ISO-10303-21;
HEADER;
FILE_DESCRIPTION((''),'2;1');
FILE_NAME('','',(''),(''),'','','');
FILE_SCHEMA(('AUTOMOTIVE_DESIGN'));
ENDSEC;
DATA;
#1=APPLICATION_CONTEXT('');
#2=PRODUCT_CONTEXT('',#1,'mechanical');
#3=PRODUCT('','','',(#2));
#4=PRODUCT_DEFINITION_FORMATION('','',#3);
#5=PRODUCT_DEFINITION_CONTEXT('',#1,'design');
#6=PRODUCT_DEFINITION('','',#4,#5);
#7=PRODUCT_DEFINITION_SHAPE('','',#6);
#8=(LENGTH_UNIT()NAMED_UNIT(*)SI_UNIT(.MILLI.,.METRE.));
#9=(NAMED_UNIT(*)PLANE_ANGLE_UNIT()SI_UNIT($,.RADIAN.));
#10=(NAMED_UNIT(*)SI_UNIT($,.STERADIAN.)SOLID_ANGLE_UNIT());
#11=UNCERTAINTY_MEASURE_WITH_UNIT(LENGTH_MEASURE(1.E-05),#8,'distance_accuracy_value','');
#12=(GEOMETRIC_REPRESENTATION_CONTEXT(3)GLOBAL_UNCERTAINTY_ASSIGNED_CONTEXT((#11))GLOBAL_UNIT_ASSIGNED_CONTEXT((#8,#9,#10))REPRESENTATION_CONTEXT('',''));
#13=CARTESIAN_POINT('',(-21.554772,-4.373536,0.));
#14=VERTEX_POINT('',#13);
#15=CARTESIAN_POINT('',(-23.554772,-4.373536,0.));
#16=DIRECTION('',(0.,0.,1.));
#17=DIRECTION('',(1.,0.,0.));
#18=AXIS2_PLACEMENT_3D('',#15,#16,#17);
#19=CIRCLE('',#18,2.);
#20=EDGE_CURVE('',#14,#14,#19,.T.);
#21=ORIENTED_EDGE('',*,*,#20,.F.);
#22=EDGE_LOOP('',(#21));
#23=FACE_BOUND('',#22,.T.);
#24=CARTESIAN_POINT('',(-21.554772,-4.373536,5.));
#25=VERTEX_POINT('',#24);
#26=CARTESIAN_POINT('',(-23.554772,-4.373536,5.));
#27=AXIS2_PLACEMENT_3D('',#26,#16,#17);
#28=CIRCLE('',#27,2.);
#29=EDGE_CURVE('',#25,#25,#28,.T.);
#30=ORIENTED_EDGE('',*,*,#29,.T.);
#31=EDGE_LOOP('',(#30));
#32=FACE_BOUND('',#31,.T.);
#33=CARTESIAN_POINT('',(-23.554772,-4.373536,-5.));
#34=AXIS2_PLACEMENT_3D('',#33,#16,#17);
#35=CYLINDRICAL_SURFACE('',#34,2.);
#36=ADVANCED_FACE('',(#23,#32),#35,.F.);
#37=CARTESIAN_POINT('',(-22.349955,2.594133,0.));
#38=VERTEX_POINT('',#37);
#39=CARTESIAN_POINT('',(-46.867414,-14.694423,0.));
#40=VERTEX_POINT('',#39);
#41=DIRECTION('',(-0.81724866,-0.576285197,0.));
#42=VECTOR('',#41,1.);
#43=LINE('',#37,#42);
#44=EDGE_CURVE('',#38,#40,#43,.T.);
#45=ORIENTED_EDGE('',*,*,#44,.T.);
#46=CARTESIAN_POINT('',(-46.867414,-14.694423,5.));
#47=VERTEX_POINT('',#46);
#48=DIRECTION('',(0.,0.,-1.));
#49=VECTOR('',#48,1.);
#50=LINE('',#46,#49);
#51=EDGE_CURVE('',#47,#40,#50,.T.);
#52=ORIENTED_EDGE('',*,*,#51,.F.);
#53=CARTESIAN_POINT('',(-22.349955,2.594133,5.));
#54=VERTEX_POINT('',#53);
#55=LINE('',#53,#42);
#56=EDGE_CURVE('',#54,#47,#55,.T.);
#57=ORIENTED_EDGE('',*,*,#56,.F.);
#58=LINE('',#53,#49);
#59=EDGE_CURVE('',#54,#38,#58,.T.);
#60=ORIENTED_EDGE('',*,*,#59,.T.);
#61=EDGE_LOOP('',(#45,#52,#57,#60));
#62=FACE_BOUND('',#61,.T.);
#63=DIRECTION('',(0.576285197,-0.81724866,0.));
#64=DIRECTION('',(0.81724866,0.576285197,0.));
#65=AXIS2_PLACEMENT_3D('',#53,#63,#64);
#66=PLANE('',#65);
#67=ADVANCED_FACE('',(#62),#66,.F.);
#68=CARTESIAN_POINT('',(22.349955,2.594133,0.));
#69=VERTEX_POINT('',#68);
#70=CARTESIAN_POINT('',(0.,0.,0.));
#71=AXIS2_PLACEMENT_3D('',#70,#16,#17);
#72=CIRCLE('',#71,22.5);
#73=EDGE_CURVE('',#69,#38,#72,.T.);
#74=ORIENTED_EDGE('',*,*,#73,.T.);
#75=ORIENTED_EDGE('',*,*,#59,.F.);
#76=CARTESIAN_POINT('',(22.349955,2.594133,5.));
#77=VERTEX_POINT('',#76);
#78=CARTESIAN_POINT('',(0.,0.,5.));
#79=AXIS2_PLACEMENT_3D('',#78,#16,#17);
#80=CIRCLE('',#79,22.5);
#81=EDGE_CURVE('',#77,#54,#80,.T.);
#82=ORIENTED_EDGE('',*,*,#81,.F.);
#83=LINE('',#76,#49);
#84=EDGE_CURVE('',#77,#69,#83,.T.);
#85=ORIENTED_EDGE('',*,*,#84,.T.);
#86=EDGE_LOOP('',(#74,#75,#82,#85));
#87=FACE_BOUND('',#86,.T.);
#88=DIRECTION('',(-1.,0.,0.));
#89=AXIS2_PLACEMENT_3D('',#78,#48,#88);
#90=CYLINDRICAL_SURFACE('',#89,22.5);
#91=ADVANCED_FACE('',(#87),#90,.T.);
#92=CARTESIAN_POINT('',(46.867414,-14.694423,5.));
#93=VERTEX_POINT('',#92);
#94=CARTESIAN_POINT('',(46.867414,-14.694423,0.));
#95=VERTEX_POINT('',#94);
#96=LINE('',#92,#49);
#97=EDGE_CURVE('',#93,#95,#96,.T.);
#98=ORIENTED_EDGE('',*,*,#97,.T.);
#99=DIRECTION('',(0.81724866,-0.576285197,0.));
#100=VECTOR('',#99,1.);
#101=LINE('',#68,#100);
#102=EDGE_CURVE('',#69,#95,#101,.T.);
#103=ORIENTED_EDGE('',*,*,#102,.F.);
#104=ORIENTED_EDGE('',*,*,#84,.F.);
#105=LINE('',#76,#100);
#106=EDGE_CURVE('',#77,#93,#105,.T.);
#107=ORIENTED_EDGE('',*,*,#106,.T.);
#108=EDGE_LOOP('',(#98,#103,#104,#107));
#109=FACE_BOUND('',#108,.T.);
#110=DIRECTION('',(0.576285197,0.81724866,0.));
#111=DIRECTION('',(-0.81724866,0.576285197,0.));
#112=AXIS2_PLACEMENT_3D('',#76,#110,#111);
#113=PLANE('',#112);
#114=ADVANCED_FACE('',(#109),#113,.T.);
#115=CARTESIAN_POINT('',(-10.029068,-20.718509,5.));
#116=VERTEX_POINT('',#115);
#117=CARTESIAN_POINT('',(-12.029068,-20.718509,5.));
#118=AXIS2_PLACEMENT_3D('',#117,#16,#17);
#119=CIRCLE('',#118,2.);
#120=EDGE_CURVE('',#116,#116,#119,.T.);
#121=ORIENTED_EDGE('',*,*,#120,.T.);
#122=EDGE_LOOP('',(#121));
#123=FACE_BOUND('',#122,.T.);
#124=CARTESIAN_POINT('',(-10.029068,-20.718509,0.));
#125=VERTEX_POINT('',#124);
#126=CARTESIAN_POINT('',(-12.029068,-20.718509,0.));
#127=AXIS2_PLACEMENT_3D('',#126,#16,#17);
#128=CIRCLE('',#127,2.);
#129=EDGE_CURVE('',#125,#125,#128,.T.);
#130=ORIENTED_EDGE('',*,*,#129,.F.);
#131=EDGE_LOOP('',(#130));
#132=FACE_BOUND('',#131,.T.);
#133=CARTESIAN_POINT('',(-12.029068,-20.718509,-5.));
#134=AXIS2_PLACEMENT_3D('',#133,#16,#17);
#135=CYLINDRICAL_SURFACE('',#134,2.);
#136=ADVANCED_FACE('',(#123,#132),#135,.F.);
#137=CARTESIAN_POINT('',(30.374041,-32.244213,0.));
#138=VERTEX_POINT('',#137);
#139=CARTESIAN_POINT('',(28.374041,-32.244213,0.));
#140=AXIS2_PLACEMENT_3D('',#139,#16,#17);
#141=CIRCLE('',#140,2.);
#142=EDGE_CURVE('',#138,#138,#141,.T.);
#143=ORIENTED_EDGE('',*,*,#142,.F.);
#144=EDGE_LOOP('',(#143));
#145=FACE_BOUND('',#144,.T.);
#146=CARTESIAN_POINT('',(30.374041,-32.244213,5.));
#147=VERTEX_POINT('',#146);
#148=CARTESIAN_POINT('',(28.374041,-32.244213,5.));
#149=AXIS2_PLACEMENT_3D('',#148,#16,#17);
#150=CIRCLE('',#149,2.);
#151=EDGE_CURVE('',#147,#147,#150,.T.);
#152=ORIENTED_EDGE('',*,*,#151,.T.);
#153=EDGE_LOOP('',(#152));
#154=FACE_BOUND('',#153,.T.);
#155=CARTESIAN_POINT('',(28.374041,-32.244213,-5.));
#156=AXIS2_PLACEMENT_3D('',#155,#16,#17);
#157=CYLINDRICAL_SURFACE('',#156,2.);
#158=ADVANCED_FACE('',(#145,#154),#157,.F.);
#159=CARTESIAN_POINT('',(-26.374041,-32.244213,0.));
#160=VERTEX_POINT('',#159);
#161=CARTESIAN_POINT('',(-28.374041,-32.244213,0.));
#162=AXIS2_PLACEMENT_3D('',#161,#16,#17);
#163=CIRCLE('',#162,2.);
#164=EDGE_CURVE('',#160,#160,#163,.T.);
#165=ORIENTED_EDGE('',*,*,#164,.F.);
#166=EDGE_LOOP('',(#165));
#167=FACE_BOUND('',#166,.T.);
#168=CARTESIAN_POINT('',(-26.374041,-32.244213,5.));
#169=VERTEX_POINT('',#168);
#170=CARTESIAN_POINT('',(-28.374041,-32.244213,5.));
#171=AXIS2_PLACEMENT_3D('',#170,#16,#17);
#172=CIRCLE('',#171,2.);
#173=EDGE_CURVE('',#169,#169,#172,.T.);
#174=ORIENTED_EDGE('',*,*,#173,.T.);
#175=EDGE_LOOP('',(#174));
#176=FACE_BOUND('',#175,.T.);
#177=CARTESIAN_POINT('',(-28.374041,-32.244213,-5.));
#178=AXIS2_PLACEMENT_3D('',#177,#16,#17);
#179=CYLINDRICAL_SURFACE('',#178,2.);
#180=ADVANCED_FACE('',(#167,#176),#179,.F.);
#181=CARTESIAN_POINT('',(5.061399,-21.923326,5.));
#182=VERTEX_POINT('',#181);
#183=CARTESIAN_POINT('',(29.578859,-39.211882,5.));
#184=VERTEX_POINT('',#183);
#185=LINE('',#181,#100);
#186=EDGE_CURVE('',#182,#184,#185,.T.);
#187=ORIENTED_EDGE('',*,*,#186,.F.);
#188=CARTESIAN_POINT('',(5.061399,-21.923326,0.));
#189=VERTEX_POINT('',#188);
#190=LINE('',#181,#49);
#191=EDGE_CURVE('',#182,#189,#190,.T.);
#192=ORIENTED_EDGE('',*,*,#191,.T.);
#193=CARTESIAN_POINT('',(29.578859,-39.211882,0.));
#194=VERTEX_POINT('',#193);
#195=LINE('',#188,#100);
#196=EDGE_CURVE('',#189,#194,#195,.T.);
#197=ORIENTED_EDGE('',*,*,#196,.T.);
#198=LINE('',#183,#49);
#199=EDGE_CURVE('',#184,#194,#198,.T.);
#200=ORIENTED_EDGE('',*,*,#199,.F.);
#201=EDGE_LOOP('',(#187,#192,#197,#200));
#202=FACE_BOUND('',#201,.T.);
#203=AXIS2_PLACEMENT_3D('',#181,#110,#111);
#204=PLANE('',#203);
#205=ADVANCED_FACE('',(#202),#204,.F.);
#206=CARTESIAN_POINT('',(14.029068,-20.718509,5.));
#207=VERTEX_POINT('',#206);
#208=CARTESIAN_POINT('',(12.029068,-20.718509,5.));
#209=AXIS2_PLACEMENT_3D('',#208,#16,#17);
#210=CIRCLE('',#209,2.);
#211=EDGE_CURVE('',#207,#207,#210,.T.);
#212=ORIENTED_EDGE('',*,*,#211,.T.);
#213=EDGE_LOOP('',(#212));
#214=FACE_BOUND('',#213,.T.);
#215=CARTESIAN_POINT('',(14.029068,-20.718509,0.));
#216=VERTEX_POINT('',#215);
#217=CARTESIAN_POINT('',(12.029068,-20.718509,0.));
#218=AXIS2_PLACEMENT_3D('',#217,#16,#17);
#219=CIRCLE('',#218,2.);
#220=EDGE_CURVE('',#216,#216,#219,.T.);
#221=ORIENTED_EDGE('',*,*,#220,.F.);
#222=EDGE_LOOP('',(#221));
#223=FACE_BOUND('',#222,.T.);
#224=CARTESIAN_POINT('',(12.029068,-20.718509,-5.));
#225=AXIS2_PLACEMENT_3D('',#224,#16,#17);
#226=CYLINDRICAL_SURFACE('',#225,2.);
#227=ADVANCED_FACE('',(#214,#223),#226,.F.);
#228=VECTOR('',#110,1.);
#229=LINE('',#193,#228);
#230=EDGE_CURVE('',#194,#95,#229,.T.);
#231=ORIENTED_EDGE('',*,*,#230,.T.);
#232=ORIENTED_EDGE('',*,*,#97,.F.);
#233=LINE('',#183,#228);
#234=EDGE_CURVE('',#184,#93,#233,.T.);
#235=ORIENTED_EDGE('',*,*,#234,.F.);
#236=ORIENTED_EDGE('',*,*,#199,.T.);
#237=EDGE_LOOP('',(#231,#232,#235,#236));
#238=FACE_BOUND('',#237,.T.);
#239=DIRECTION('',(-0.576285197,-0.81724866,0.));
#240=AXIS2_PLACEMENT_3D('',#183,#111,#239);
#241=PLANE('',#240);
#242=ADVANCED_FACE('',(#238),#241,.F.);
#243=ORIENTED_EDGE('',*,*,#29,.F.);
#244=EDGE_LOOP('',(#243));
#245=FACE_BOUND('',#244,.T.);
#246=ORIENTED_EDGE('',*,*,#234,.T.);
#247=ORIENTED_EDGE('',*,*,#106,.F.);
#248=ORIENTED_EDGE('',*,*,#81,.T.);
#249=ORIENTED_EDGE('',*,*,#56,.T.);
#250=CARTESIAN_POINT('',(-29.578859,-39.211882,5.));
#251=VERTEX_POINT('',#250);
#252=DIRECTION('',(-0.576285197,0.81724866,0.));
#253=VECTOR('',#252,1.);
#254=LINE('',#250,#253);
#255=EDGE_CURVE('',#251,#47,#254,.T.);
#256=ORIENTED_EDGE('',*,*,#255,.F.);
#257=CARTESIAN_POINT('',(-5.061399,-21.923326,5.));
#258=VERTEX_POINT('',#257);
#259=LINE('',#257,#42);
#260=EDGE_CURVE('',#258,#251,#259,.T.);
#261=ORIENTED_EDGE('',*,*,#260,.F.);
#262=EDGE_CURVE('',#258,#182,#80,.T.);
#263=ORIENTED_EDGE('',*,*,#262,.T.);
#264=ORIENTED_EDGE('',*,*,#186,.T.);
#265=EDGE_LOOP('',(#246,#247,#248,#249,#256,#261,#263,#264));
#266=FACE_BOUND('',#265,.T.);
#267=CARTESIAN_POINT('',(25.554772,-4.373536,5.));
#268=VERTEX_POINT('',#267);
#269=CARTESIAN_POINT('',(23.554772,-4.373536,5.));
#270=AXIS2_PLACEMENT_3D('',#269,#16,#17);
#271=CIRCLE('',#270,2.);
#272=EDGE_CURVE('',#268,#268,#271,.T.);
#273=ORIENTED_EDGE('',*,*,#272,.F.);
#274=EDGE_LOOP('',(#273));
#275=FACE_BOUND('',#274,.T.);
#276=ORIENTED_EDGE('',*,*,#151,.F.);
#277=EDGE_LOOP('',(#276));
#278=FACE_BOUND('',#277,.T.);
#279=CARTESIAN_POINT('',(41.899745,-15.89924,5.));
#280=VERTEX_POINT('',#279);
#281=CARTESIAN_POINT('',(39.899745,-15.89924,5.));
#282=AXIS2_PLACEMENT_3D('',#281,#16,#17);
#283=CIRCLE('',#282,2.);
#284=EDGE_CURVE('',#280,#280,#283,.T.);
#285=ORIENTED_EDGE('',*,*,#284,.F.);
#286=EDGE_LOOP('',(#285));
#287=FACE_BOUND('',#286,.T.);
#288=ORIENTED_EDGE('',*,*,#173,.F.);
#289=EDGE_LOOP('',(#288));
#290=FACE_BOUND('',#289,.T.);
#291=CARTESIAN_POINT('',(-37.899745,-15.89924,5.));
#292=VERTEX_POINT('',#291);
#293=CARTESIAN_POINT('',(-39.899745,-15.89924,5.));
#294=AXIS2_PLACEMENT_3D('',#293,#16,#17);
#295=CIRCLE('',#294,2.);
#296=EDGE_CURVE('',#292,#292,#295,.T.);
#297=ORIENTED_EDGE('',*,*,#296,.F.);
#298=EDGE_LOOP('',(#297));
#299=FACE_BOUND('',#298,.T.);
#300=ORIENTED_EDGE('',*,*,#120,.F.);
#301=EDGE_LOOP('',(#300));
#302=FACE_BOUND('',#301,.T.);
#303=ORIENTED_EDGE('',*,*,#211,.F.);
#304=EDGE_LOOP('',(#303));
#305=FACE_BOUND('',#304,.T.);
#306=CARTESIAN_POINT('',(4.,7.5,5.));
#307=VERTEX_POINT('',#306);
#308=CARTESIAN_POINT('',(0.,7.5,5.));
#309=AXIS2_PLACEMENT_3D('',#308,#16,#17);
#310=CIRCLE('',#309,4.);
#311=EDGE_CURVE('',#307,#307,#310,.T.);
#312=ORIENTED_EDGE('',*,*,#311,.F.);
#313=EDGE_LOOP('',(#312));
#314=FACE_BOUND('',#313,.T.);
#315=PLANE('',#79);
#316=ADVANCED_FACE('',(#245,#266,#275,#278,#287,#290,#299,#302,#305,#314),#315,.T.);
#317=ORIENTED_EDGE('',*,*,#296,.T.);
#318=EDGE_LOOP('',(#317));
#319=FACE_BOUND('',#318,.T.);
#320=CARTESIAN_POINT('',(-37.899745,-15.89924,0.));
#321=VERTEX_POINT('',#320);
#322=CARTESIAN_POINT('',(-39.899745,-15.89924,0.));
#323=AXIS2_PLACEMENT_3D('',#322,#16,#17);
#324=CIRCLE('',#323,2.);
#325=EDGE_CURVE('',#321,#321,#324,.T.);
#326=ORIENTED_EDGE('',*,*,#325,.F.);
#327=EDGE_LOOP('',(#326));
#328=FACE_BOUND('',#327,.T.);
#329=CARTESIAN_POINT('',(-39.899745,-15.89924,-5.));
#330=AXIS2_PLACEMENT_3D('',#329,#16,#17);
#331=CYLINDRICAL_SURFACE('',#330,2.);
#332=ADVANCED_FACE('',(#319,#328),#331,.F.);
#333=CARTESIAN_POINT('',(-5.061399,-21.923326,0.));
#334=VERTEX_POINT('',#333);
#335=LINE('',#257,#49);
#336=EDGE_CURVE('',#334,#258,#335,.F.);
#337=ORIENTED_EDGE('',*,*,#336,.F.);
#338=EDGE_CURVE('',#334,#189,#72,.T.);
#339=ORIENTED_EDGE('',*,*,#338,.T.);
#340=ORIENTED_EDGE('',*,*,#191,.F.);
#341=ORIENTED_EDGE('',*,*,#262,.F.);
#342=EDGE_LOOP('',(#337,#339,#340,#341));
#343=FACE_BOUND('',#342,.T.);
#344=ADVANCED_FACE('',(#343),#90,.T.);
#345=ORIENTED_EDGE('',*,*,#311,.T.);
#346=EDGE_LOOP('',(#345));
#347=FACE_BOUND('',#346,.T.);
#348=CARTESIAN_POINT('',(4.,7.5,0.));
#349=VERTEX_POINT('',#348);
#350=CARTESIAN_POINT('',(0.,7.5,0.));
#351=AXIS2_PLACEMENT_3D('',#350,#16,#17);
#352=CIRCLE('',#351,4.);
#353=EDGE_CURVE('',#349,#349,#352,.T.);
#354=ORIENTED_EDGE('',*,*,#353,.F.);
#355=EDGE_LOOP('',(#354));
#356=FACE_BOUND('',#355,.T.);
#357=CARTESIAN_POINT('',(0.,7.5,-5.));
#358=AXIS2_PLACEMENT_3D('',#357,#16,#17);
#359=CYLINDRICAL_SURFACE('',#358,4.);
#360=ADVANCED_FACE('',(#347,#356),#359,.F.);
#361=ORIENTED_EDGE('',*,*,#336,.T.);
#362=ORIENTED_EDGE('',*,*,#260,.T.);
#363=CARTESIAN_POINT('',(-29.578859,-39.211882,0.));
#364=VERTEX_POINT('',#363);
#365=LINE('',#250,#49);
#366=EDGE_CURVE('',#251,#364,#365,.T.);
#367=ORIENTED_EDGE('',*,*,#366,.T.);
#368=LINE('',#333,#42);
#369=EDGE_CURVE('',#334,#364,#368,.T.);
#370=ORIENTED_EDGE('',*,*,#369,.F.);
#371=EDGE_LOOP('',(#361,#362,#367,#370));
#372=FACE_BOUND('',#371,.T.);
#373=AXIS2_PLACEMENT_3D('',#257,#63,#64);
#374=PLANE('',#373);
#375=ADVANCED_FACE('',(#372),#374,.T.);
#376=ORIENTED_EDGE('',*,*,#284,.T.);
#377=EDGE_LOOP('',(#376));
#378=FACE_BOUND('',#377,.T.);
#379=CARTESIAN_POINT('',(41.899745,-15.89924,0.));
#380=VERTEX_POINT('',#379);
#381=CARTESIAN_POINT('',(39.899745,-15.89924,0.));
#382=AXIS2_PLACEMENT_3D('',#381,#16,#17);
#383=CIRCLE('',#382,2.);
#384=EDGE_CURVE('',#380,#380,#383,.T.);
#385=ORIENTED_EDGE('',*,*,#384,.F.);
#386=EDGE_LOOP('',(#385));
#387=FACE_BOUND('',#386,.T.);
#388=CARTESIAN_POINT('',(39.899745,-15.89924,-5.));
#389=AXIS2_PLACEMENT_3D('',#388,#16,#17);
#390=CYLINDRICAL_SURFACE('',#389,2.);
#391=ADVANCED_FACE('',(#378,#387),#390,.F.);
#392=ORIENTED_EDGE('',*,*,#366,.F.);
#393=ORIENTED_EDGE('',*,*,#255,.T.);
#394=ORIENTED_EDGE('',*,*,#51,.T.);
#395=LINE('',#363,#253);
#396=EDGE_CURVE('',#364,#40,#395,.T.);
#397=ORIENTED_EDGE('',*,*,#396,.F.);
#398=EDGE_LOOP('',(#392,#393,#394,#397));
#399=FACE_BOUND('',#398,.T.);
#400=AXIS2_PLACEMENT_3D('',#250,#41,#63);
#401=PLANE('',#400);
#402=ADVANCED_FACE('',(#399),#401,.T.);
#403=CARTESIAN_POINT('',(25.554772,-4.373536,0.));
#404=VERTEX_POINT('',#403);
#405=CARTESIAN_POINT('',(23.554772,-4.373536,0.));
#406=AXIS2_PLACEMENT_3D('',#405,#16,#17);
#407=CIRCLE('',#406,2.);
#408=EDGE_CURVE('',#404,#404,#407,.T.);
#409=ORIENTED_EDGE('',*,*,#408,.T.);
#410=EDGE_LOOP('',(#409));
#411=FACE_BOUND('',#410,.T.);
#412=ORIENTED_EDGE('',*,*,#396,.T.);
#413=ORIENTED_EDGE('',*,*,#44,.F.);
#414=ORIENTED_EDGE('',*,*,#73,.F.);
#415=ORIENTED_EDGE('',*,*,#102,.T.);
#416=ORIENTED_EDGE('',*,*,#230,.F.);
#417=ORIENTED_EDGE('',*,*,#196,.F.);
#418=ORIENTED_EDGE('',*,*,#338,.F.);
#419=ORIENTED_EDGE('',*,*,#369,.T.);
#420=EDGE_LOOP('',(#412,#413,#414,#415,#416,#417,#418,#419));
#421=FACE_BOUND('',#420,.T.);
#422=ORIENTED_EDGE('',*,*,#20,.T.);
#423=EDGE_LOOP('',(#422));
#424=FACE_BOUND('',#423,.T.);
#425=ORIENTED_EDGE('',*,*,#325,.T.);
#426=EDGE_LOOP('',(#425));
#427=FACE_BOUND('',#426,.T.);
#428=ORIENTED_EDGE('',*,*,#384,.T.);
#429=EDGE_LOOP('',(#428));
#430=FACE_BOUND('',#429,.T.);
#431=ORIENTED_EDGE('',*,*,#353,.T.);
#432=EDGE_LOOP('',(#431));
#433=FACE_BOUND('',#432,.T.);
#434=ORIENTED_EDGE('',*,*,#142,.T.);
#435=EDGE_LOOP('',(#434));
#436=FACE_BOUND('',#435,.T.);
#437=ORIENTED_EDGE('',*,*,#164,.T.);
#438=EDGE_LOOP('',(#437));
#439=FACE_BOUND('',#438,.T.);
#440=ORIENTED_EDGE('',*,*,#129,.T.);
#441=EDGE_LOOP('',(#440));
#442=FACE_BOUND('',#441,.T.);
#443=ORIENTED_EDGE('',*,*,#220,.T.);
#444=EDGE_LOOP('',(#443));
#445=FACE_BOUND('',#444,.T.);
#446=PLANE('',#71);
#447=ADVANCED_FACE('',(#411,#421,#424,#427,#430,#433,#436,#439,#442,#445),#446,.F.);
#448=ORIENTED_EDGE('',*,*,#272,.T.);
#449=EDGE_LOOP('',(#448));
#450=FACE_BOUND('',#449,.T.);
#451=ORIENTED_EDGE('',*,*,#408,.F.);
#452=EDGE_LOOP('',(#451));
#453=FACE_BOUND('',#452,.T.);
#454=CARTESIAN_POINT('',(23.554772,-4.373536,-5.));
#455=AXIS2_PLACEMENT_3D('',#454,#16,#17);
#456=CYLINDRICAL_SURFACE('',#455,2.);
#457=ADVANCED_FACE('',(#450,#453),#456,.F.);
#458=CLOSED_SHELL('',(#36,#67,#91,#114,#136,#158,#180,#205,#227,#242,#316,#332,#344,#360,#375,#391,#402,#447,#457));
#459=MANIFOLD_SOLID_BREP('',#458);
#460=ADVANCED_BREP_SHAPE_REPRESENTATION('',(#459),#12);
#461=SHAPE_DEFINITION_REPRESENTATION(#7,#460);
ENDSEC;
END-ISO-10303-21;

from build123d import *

# Parameters (mm, degrees)
BOSS_EXTRUDE1_DEPTH = 5
SKETCH4_R           = 2
CUT_EXTRUDE1_DEPTH  = 10
SKETCH5_R           = 4
CUT_EXTRUDE2_DEPTH  = 10


with BuildPart() as part:
    # Sketch2 → Boss-Extrude1 (new body)
    with BuildSketch(Plane.XY):
        with BuildLine():
            Line((5.061398723, -21.923326458), (29.57885851, -39.211882372))
            Line((29.57885851, -39.211882372), (46.867414424, -14.694422585))
            Line((46.867414424, -14.694422585), (22.349954637, 2.594133329))
            ThreePointArc((22.349954637, 2.594133329), (0, 22.5), (-22.349954637, 2.594133329))
            Line((-22.349954637, 2.594133329), (-46.867414424, -14.694422585))
            Line((-46.867414424, -14.694422585), (-29.57885851, -39.211882372))
            Line((-29.57885851, -39.211882372), (-5.061398723, -21.923326458))
            ThreePointArc((-5.061398723, -21.923326458), (0, -22.5), (5.061398723, -21.923326458))
        make_face()
    extrude(amount=BOSS_EXTRUDE1_DEPTH)

    # Sketch4 → Cut-Extrude1 (cut)
    with BuildSketch(Plane.XY.offset(5)):
        with Locations((-39.89974514, -15.899239897)):
            Circle(SKETCH4_R)
        with Locations((-23.554771949, -4.373535954)):
            Circle(SKETCH4_R)
        with Locations((-12.029068006, -20.718509146)):
            Circle(SKETCH4_R)
        with Locations((-28.374041198, -32.244213088)):
            Circle(SKETCH4_R)
        with Locations((23.554771949, -4.373535954)):
            Circle(SKETCH4_R)
        with Locations((12.029068006, -20.718509146)):
            Circle(SKETCH4_R)
        with Locations((39.89974514, -15.899239897)):
            Circle(SKETCH4_R)
        with Locations((28.374041198, -32.244213088)):
            Circle(SKETCH4_R)
    extrude(amount=-CUT_EXTRUDE1_DEPTH, mode=Mode.SUBTRACT)

    # Sketch5 → Cut-Extrude2 (cut)
    with BuildSketch(Plane.XY.offset(5)):
        with Locations((0, 7.5)):
            Circle(SKETCH5_R)
    extrude(amount=-CUT_EXTRUDE2_DEPTH, mode=Mode.SUBTRACT)


solid = part.part
